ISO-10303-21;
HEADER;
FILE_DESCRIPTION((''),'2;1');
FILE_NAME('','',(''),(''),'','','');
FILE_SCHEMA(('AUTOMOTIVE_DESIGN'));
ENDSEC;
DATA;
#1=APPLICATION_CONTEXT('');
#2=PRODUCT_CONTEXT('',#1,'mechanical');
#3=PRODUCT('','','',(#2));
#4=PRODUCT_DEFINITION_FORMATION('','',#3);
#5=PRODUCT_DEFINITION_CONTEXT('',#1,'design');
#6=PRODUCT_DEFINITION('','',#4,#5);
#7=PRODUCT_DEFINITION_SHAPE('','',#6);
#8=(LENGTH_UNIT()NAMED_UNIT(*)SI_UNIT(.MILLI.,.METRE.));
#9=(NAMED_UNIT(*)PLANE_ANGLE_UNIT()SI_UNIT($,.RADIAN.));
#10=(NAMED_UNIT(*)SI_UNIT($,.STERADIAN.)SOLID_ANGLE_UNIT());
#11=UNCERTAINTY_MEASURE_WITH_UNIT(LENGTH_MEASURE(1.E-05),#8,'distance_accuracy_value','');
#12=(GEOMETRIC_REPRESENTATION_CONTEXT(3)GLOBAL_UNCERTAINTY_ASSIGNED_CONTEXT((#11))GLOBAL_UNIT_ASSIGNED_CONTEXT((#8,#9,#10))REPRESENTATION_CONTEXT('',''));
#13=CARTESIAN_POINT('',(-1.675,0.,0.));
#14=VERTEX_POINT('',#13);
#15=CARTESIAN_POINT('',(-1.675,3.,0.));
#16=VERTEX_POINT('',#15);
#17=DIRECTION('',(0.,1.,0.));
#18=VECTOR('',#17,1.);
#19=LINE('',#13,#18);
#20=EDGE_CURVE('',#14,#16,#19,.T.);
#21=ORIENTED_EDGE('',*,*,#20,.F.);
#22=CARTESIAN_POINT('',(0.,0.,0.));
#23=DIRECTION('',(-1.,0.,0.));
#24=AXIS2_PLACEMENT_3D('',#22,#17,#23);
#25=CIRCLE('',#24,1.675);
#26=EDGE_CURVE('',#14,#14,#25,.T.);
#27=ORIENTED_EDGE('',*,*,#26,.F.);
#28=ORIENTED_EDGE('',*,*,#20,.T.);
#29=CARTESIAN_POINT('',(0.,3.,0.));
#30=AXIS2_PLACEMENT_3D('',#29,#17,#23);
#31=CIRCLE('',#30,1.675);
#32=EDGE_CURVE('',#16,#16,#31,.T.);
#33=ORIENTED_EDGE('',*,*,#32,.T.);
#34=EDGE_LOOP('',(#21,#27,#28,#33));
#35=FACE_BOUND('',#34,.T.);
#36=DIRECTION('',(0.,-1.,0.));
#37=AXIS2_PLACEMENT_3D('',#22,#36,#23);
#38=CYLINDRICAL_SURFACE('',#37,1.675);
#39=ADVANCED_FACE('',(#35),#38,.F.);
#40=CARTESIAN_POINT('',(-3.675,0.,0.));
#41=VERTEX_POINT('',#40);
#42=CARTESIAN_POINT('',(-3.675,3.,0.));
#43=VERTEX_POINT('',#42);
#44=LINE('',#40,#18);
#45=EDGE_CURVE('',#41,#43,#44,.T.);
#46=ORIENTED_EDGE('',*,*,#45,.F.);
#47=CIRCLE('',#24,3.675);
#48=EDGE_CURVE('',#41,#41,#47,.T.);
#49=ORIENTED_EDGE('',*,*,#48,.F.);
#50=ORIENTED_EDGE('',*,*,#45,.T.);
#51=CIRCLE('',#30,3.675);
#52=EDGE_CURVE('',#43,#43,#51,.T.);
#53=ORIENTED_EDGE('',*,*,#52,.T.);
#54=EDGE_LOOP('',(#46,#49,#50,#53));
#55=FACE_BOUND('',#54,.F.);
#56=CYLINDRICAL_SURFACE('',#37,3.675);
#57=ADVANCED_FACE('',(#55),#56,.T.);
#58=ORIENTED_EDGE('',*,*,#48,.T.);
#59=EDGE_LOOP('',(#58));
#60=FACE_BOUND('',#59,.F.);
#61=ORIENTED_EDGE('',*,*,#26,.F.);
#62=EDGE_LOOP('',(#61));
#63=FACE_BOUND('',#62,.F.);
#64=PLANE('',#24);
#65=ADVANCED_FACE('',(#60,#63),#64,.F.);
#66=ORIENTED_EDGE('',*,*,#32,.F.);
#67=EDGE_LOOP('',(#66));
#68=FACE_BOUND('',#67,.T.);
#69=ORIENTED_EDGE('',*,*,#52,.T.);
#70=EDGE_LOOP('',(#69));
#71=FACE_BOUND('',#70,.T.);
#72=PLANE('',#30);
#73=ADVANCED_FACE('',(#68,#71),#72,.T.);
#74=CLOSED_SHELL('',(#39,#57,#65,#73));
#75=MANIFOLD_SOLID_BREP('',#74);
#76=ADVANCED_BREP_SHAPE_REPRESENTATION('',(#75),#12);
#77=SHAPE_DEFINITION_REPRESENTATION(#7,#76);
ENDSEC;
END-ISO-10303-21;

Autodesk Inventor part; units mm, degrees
ref_plane "YZ Plane" through (0, 0, 0) normal (1, 0, 0) x (0, 1, 0)
ref_plane "XZ Plane" through (0, 0, 0) normal (0, 1, 0) x (-1, 0, 0)
ref_plane "XY Plane" through (0, 0, 0) normal (0, 0, 1) x (1, 0, 0)
sketch "Sketch1" plane through (0, 0, 0) normal (0, 1, 0) x (-1, 0, 0)
  circle A0 centre (0, 0) radius 3.675
  circle A1 centre (0, 0) radius 1.675
  dimension "d0" = 3.35
  dimension "d1" = 7.35
extrude "Extrusion1" add sketch "Sketch1" along normal blind 3
equation "\"d0\" = bearing_B"
equation "\"d1\" = bearing_A"
equation "\"d2\" = bearing_C"
equation "\"bearing_C\" = 3"
equation "\"bearing_B\" = 3.35"
equation "\"bearing_A\" = 7.35"
properties part number "BEARING"
